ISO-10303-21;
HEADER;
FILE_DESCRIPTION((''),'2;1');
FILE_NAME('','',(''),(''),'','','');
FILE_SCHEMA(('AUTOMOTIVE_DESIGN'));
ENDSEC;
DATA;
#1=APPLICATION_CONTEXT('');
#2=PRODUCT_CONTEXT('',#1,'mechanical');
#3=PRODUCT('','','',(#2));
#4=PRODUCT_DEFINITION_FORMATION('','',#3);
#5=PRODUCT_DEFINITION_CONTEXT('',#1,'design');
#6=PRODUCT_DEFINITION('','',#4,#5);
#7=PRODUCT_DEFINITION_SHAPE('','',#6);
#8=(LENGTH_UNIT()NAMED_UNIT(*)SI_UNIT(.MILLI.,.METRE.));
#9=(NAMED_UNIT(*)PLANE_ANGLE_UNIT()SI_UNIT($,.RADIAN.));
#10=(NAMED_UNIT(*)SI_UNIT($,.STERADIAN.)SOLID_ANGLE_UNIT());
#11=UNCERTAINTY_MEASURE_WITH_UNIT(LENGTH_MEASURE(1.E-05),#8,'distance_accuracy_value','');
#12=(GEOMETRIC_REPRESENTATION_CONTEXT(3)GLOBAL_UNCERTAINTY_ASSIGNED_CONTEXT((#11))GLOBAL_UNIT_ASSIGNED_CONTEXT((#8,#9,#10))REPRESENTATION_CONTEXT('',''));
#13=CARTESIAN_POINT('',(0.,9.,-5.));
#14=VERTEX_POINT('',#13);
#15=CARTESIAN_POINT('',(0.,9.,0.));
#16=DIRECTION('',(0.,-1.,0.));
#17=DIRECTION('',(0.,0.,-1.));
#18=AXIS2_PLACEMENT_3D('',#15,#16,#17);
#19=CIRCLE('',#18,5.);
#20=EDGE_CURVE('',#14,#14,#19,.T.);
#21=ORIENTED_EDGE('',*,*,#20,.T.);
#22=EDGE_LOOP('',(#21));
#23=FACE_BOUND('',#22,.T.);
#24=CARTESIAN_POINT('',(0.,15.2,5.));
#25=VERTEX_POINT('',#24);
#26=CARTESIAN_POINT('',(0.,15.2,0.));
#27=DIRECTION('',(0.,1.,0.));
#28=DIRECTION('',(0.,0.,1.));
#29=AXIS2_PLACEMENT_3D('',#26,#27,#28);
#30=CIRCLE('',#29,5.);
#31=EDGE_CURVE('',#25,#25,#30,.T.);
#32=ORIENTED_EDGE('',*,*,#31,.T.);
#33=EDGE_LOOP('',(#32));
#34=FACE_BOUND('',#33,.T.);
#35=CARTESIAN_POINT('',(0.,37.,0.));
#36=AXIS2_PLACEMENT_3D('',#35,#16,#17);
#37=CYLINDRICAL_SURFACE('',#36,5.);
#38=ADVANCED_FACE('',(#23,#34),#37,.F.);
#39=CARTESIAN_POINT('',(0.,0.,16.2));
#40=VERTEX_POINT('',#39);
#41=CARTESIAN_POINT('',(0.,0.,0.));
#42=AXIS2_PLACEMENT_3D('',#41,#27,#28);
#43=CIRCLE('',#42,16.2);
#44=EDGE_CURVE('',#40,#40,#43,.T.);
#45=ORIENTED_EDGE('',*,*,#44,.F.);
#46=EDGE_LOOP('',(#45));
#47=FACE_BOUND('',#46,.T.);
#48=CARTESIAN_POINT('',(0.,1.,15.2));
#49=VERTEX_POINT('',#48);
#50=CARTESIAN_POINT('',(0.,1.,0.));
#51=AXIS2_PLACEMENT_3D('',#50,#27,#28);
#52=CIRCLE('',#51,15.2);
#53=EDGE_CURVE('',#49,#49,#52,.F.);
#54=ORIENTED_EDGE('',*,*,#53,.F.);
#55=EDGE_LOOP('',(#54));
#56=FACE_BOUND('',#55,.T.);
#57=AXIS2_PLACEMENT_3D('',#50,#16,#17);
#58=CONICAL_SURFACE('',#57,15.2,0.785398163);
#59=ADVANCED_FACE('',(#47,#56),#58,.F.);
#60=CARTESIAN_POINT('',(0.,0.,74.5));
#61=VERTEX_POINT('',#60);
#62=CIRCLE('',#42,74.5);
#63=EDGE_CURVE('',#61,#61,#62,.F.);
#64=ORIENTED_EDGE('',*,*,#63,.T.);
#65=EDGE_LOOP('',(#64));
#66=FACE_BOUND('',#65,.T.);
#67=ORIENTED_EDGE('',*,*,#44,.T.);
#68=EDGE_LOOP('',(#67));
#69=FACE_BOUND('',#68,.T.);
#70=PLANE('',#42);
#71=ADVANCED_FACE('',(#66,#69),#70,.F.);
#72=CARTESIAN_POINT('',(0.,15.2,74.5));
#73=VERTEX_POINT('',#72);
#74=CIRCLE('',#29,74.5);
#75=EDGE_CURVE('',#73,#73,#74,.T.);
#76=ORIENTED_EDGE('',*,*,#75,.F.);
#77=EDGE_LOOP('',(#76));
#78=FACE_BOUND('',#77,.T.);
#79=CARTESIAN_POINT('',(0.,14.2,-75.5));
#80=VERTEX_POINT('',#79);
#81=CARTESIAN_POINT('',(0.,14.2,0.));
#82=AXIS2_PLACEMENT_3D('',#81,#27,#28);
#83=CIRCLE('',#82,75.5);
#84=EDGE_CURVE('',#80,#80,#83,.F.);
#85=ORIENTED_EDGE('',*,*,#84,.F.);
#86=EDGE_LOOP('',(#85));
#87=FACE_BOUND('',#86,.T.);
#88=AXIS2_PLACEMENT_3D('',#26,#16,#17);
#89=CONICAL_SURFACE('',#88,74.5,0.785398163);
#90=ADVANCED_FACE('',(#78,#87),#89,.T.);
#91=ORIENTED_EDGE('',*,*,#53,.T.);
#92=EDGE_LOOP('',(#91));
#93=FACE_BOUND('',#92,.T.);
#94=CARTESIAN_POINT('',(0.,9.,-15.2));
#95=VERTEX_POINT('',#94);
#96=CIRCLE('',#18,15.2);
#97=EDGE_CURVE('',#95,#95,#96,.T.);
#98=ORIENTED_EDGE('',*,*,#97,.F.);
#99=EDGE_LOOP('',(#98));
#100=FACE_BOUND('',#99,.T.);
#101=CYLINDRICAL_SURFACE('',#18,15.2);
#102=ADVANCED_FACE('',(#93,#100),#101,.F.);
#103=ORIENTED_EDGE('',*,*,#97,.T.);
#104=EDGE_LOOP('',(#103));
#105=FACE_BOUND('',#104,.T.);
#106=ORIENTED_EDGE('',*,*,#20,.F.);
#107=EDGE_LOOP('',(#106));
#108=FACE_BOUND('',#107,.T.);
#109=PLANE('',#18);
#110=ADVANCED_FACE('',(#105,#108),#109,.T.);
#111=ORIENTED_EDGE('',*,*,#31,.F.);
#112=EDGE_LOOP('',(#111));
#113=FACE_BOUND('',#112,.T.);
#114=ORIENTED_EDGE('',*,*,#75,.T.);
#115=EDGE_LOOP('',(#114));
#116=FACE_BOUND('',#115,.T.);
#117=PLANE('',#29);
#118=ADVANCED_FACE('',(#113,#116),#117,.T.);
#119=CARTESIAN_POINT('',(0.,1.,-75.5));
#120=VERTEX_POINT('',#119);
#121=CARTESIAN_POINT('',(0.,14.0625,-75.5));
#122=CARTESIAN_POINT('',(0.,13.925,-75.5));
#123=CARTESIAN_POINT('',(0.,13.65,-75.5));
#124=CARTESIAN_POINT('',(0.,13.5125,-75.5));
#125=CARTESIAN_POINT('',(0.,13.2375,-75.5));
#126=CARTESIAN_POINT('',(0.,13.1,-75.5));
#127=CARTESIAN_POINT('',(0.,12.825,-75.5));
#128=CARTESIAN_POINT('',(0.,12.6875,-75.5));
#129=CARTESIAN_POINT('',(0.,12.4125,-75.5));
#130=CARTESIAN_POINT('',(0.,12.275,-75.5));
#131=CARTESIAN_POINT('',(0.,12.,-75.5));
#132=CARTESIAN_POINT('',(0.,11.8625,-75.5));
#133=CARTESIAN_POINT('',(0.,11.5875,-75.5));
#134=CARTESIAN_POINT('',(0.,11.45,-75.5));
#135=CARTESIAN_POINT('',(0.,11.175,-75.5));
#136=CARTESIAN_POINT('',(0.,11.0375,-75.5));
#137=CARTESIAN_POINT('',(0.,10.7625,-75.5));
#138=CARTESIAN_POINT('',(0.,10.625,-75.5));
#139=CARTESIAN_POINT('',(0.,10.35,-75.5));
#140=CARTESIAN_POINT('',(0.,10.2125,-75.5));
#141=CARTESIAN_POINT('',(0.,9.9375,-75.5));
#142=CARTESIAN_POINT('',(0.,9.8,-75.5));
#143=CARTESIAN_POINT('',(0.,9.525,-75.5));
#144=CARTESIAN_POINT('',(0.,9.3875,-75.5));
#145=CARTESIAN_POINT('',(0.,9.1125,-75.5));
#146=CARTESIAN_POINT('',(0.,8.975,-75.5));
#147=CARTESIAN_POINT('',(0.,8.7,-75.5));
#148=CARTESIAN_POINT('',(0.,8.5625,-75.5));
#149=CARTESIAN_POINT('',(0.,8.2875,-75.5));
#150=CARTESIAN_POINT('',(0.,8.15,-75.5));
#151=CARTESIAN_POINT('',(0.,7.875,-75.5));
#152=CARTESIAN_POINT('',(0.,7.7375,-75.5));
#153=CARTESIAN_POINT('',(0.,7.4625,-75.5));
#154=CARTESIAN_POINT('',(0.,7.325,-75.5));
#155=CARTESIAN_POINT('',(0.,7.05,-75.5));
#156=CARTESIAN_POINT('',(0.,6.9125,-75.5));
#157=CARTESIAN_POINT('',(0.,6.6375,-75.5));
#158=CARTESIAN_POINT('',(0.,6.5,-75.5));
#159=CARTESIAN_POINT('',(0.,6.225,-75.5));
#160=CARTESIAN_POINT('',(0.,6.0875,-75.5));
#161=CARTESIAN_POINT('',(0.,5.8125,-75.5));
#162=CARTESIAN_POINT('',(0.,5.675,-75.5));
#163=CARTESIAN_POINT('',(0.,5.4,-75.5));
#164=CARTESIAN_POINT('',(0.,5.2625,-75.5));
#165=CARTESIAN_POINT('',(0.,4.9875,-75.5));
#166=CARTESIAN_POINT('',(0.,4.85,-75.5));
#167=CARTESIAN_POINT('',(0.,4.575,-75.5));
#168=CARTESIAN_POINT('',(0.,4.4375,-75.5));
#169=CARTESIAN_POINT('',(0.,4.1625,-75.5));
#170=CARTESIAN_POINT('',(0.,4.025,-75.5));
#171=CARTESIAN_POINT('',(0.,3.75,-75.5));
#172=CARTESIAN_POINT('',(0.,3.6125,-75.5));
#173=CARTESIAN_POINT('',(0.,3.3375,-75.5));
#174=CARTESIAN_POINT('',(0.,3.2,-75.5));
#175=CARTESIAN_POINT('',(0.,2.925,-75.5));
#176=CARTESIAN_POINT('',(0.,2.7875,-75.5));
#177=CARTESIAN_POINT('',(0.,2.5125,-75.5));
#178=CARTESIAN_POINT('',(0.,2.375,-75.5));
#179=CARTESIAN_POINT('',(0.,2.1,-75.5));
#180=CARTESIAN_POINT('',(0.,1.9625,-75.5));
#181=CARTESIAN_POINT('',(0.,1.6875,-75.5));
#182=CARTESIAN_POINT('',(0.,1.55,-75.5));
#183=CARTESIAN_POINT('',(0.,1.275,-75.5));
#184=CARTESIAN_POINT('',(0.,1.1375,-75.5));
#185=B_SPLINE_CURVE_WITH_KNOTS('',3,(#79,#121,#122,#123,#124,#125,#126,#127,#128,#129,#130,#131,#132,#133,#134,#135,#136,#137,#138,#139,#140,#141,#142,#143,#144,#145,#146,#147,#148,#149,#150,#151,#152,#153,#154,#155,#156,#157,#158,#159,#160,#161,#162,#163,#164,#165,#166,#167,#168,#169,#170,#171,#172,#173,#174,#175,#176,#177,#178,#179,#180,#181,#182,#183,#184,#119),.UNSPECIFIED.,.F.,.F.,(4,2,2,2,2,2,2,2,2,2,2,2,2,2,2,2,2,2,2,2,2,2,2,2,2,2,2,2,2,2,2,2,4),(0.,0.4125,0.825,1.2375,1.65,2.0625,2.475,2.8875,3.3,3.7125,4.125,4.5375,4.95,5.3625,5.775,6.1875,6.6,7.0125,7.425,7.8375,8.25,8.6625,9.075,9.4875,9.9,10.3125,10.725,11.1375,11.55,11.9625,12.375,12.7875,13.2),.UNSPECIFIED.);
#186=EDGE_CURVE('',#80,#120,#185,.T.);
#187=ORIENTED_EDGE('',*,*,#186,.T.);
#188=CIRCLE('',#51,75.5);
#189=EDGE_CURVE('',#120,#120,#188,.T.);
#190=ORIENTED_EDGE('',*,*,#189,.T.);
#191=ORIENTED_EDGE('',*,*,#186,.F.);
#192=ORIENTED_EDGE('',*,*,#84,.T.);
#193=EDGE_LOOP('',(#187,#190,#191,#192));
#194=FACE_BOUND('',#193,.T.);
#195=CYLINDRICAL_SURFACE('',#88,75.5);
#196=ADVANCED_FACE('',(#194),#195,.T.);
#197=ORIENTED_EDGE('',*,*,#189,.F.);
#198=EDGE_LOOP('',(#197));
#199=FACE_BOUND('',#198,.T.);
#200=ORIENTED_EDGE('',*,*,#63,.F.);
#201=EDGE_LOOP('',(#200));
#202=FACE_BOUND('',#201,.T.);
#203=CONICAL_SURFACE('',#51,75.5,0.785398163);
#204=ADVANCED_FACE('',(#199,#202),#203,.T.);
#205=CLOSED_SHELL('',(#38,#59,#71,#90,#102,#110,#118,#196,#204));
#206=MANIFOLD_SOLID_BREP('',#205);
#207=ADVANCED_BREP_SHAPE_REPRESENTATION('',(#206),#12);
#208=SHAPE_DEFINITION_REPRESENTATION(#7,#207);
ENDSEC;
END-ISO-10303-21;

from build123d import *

# Parameters (mm, degrees)
SKETCH1_R           = 75.5
BOSS_EXTRUDE1_DEPTH = 15.2
SKETCH2_R           = 15.2
CUT_EXTRUDE1_DEPTH  = 9
CHAMFER1_SIZE       = 1
SKETCH4_R           = 5
CUT_EXTRUDE2_DEPTH  = 28
CHAMFER2_SIZE       = 1


with BuildPart() as part:
    # Sketch1 → Boss-Extrude1 (new body)
    with BuildSketch(Plane(origin=(0, 0, 0), x_dir=(1, 0, 0), z_dir=(0, 1, 0))):
        with Locations(Location((0, 0, 0), (0, 0, 90))):
            Circle(SKETCH1_R)
    extrude(amount=BOSS_EXTRUDE1_DEPTH)

    # Sketch2 → Cut-Extrude1 (cut)
    with BuildSketch(Plane.XZ):
        with Locations(Location((0, 0, 0), (0, 0, 270))):
            Circle(SKETCH2_R)
    extrude(amount=-CUT_EXTRUDE1_DEPTH, mode=Mode.SUBTRACT)

    # Chamfer1
    chamfer1_edges = [part.edges().sort_by_distance(p)[0] for p in [
        (0, 0, 15.2),
    ]]
    chamfer(chamfer1_edges, length=CHAMFER1_SIZE)

    # Sketch4 → Cut-Extrude2 (cut)
    with BuildSketch(Plane.XZ.offset(-9)):
        with Locations(Location((0, 0, 0), (0, 0, 270))):
            Circle(SKETCH4_R)
    extrude(amount=-CUT_EXTRUDE2_DEPTH, mode=Mode.SUBTRACT)

    # Chamfer2
    chamfer2_edges = [part.edges().sort_by_distance(p)[0] for p in [
        (0, 0, 75.5),
        (0, 15.2, 75.5),
    ]]
    chamfer(chamfer2_edges, length=CHAMFER2_SIZE)


solid = part.part
